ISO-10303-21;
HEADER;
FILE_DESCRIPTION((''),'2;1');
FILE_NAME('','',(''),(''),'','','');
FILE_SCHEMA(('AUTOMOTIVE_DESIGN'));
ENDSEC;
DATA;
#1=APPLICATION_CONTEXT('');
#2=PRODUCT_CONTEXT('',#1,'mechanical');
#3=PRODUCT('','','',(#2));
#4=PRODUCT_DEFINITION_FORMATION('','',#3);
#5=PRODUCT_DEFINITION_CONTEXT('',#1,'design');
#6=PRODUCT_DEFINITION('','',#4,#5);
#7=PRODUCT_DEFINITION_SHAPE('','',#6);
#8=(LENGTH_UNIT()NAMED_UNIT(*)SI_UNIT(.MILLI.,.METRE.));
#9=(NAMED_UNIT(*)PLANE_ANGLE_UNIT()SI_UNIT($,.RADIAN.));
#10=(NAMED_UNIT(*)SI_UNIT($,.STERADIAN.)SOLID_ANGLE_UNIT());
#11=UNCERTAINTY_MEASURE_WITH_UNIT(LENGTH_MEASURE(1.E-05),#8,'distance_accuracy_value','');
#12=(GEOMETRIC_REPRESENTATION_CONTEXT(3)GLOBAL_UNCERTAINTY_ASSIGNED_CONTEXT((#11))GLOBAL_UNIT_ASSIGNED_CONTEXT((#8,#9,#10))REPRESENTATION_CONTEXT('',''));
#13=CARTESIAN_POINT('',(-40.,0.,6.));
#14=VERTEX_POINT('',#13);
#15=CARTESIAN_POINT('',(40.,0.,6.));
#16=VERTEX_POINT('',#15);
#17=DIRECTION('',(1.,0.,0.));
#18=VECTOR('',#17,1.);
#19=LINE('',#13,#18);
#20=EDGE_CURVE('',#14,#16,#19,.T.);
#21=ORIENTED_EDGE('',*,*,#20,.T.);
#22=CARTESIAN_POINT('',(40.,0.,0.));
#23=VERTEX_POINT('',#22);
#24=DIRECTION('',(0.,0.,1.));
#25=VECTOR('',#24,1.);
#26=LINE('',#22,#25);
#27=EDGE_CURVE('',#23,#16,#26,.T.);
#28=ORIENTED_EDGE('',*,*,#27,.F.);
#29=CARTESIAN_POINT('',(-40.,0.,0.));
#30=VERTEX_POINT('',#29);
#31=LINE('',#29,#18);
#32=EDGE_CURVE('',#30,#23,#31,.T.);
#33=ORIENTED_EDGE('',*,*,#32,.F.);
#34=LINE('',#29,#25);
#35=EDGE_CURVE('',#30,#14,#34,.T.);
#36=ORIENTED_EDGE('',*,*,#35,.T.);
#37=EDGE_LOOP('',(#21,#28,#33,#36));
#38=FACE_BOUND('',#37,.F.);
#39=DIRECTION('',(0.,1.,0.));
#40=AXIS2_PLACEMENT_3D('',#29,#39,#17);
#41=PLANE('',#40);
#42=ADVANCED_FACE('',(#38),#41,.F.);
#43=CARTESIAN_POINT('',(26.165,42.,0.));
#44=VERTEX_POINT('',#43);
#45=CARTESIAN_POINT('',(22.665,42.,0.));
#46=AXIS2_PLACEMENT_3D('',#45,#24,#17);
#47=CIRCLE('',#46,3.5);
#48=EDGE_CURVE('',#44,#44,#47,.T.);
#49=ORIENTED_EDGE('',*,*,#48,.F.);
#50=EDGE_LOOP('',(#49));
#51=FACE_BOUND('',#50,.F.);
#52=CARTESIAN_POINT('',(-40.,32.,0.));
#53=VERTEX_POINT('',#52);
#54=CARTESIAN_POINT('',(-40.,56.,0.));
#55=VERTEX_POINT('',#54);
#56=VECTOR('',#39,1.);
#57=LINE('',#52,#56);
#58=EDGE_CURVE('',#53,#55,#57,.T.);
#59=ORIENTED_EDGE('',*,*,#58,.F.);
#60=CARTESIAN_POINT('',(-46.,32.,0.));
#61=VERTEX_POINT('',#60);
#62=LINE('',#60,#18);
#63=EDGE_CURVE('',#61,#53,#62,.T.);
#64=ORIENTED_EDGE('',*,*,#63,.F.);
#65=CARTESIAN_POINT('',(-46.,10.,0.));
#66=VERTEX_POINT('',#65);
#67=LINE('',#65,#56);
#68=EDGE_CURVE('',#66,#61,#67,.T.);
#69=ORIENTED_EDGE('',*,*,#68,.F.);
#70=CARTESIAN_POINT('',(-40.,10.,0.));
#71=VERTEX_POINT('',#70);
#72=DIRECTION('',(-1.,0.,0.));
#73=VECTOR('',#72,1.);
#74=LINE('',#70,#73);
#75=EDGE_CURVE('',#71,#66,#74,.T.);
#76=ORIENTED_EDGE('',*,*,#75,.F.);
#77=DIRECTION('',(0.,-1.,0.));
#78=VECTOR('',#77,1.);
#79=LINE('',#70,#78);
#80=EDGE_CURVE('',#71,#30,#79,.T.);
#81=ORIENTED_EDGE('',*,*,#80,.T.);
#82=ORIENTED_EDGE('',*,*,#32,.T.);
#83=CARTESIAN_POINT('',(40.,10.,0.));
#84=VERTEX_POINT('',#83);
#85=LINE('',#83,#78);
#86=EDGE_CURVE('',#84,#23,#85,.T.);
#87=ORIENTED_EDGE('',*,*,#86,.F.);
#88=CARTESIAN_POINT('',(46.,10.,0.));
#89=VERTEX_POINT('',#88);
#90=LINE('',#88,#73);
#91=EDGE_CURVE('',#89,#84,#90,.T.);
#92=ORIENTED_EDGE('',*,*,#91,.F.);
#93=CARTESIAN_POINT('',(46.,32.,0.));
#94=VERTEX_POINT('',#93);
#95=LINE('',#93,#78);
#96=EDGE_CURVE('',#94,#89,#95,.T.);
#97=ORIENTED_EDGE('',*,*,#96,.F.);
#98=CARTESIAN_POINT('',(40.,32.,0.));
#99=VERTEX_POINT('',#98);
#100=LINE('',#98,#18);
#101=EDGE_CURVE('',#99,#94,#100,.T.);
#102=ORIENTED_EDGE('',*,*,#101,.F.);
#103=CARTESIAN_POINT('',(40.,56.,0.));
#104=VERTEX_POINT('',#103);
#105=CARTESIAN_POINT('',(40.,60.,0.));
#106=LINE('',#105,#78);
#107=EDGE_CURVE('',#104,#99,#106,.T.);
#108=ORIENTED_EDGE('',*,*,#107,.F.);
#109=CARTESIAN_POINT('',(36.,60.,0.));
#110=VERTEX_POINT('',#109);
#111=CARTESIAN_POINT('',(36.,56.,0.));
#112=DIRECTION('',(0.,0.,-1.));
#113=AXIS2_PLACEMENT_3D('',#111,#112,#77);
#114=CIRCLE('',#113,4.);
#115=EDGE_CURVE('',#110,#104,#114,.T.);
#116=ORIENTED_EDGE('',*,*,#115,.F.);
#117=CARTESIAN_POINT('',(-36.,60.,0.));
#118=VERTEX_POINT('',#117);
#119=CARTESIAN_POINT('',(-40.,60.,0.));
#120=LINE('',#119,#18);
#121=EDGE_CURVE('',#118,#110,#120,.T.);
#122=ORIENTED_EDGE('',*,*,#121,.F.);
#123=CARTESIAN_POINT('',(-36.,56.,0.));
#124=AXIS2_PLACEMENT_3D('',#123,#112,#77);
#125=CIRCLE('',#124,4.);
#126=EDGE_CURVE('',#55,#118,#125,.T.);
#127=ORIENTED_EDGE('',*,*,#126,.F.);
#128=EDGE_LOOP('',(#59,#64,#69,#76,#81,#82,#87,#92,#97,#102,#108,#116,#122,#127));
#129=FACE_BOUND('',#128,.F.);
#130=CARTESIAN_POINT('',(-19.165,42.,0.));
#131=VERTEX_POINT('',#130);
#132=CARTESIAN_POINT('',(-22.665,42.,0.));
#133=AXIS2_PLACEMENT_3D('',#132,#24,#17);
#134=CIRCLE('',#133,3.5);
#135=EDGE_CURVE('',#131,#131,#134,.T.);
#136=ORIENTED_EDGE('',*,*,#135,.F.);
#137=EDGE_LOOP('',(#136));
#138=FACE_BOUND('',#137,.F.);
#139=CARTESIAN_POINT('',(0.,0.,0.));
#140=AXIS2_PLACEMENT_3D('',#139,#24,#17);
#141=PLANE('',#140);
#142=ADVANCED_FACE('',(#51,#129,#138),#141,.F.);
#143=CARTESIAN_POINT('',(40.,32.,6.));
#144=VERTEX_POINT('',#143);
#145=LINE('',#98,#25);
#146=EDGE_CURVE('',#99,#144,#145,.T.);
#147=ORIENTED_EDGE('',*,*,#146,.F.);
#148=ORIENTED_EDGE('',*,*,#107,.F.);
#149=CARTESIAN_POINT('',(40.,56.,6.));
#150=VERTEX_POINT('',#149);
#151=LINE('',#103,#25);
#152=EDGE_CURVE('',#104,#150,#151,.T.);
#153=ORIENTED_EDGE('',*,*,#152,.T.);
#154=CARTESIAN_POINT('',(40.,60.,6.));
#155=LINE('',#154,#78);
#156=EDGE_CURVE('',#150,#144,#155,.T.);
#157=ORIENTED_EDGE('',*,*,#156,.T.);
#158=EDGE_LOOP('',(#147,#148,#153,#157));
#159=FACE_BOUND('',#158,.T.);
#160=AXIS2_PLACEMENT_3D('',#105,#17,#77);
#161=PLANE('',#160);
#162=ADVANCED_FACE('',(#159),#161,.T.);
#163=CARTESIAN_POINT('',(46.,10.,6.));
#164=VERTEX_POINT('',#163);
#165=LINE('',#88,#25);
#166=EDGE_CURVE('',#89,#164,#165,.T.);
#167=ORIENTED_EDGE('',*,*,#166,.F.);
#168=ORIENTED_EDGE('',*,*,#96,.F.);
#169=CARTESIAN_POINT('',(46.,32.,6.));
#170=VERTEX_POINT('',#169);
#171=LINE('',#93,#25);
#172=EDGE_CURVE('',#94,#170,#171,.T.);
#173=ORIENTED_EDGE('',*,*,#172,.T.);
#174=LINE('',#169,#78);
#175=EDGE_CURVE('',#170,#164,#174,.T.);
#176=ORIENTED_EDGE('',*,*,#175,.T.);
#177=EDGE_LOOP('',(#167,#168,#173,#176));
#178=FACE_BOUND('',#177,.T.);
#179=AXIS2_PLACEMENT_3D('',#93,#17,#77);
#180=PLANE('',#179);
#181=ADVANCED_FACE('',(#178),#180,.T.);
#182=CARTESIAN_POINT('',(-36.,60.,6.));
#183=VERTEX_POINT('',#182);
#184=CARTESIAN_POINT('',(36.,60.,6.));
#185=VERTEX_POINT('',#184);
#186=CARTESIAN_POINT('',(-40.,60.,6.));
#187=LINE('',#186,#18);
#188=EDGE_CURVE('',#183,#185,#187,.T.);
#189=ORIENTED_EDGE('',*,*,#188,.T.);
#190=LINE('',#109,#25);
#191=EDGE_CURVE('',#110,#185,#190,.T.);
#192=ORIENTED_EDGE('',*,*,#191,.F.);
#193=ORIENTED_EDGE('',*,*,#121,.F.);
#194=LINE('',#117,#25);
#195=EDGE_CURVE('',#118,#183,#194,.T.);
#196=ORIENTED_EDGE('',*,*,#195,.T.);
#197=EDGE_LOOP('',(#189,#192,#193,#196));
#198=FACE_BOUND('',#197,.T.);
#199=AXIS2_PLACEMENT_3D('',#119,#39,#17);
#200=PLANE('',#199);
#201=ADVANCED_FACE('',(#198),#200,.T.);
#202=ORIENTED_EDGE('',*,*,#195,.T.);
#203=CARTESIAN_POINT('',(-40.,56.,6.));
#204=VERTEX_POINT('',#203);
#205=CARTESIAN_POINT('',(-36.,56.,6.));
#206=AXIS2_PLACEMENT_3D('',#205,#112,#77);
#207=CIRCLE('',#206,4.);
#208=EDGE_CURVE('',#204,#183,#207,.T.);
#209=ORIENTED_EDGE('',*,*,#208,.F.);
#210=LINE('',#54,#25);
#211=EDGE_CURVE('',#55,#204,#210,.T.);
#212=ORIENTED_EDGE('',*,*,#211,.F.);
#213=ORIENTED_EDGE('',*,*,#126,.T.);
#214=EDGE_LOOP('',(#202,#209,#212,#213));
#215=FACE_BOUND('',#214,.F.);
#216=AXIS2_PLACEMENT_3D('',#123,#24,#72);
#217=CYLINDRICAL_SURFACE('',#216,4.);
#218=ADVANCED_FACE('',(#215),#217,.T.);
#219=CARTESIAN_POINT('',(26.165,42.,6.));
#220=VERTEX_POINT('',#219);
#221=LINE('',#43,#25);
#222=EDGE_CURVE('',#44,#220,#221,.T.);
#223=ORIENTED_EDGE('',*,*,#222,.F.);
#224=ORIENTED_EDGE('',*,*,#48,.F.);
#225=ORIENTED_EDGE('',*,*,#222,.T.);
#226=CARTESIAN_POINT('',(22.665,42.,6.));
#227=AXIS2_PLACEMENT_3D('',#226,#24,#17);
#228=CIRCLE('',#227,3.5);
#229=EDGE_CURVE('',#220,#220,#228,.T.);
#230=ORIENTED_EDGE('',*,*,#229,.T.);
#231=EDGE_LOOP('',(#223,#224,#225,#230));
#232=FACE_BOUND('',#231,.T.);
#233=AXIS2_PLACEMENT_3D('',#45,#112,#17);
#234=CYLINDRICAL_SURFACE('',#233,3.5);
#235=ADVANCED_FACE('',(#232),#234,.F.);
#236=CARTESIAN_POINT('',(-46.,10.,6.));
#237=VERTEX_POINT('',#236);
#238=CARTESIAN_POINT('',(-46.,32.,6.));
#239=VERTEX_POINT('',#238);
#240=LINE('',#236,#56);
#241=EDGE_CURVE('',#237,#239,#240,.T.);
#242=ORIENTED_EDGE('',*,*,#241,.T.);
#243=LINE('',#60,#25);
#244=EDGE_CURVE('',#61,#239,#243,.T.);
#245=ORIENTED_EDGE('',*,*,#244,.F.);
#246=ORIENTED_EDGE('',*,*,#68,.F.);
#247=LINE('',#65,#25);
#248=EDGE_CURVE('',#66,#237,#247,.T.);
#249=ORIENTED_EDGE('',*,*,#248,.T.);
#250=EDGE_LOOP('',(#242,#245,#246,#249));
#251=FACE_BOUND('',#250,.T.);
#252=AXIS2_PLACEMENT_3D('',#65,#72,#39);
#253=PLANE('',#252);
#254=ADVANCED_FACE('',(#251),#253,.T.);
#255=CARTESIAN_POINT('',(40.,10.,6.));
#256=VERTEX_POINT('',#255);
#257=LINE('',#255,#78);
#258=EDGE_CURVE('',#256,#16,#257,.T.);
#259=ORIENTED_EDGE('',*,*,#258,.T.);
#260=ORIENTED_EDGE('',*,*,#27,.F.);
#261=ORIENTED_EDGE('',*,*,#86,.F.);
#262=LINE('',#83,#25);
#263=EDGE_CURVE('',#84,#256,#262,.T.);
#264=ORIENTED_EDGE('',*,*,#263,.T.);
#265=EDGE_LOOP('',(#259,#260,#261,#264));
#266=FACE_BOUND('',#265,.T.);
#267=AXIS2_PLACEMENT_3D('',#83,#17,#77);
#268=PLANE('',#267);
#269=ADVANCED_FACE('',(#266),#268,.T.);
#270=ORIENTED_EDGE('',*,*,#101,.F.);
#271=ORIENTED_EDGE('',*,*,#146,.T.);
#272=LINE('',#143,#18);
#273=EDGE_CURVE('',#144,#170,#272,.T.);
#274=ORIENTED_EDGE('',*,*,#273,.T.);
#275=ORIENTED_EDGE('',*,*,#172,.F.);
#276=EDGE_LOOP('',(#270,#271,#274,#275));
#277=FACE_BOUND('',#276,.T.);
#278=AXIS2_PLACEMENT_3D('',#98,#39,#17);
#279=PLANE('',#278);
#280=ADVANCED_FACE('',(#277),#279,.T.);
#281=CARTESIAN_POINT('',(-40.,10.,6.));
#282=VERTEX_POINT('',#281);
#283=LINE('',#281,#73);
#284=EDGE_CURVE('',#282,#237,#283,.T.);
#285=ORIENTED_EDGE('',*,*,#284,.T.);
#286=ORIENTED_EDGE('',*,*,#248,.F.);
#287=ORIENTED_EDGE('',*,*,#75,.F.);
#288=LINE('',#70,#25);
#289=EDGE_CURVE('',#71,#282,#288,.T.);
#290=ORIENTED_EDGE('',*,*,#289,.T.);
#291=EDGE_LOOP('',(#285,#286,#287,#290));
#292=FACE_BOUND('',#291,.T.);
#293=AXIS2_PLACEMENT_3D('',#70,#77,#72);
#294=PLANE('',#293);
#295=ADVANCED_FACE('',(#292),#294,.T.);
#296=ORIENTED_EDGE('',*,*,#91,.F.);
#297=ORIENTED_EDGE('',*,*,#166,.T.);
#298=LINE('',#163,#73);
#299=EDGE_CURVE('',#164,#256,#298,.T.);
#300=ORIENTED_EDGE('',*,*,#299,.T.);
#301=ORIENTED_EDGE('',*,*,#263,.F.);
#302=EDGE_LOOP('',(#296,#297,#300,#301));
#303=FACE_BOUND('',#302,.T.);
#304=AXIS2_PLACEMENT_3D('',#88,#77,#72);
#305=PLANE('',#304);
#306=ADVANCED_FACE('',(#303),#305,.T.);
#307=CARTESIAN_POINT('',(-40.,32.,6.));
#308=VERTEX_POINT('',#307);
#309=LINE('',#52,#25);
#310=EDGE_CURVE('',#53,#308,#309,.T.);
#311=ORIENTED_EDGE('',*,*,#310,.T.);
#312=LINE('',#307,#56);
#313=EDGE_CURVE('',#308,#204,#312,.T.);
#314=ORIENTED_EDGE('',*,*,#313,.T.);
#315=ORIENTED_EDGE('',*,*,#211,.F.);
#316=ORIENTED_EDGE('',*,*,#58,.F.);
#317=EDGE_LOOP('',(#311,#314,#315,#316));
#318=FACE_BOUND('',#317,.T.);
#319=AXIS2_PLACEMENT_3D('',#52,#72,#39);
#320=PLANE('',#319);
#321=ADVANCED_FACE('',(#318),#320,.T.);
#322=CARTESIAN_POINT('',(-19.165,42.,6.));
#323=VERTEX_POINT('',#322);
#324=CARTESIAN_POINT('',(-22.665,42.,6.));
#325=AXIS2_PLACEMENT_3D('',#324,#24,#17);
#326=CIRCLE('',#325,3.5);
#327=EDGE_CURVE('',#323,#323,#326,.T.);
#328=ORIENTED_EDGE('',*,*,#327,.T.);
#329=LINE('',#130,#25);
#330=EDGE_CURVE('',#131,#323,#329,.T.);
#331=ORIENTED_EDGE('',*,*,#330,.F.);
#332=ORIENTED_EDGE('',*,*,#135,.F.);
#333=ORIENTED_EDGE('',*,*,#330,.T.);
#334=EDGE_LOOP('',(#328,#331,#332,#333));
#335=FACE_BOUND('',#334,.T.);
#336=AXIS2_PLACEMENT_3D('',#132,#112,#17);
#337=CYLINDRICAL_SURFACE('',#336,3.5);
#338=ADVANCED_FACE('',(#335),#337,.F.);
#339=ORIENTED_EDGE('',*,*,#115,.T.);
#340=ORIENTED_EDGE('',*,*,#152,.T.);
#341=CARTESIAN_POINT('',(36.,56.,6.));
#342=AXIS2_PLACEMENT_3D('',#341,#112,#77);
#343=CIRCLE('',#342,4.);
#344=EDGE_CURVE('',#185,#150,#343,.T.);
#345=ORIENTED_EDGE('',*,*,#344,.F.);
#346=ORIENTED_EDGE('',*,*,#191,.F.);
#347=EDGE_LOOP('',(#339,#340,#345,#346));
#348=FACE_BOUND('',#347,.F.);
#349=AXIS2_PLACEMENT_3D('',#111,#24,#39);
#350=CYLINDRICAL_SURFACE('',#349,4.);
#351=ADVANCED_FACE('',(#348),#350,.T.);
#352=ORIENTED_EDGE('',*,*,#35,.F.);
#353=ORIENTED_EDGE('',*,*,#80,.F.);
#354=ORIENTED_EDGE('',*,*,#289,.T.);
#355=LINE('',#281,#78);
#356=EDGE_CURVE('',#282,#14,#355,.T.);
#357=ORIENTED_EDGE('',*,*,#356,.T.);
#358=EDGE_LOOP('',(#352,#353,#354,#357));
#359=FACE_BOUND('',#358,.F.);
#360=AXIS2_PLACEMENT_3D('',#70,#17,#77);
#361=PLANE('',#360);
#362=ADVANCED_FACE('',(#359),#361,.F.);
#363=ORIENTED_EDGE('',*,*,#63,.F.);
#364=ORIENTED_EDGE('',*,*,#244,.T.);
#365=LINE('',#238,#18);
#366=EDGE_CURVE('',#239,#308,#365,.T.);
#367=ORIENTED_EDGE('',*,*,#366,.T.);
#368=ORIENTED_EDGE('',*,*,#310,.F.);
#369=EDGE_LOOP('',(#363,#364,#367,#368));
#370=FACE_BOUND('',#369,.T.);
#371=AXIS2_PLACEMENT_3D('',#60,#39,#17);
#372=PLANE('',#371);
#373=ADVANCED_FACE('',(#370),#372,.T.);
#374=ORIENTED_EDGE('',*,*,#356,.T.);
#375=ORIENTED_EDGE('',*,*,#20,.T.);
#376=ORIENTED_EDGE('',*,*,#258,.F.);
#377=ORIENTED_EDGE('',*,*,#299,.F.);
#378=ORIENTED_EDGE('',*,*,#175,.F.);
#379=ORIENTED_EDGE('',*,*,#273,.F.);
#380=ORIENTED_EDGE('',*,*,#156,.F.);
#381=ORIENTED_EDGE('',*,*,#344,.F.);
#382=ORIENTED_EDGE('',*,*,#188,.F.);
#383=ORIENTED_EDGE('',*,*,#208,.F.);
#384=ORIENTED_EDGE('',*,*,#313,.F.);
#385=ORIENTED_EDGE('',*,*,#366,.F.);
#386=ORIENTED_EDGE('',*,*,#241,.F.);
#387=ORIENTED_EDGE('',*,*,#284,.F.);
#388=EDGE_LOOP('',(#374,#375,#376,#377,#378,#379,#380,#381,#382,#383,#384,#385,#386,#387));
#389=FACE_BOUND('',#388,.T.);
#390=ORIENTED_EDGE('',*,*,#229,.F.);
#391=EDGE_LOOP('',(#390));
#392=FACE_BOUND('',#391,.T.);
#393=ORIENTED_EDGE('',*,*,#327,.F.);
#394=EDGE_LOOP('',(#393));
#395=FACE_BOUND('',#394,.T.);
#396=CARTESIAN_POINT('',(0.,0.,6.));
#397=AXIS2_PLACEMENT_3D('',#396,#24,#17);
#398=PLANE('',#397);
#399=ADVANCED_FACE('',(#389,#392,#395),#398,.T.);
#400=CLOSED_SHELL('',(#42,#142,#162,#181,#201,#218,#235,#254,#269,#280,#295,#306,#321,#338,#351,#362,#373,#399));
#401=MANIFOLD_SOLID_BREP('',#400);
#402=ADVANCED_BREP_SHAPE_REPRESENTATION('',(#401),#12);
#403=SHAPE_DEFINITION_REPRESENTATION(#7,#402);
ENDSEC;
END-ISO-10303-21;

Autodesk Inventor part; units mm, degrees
ref_plane "YZ Plane" through (0, 0, 0) normal (1, 0, 0) x (0, 1, 0)
ref_plane "XZ Plane" through (0, 0, 0) normal (0, 1, 0) x (-1, 0, 0)
ref_plane "XY Plane" through (0, 0, 0) normal (0, 0, 1) x (1, 0, 0)
sketch "Sketch1" plane through (0, 0, 0) normal (0, 0, 1) x (1, 0, 0)
  line L0 (-40, 0) -> (40, 0)
  circle A0 centre (-22.665, 42) radius 3.5
  circle A1 centre (22.665, 42) radius 3.5
  line L1 (-40, 10) -> (-40, 0)
  line L2 (40, 60) -> (40, 32)
  line L3 (40, 32) -> (46, 32)
  line L4 (46, 32) -> (46, 10)
  line L5 (46, 10) -> (40, 10)
  line L6 (40, 10) -> (40, 0)
  line L7 (-40, 10) -> (-46, 10)
  line L8 (-46, 10) -> (-46, 32)
  line L9 (-46, 32) -> (-40, 32)
  line L10 (-40, 32) -> (-40, 60)
  line L11 (-40, 60) -> (40, 60)
  point P0 (0, 0)
  point P1 (0, 42)
  point P2 (0, 0)
  dimension "d1" = 60
  dimension "d4" = 80
  dimension "d5" = 7
  dimension "d7" = 7
  dimension "d9" = 22.665
  dimension "d10" = 22.665
  dimension "d11" = 42
  dimension "d32" = 6
  dimension "d33" = 28
  dimension "d34" = 10
  dimension "d35" = 10
  dimension "d36" = 28
  dimension "d37" = 6
  dimension "d38" = 6
  dimension "d39" = 22
extrude "Extrusion2" add sketch "Sketch1" along normal blind 6
fillet "Fillet3" radius 4 2 edges at (-40, 60, 3) (40, 60, 3)
equation "\"d1\" = d0"
equation "\"d7\" = d5"
equation "\"d10\" = d9"
equation "\"d32\" = d28"
equation "\"d33\" = d29"
equation "\"d35\" = d34"
equation "\"d36\" = d33"
equation "\"d37\" = d32"
equation "\"d0\" = 60"
equation "\"d28\" = 6"
equation "\"d29\" = 28"
properties part number "Tope riel final"
